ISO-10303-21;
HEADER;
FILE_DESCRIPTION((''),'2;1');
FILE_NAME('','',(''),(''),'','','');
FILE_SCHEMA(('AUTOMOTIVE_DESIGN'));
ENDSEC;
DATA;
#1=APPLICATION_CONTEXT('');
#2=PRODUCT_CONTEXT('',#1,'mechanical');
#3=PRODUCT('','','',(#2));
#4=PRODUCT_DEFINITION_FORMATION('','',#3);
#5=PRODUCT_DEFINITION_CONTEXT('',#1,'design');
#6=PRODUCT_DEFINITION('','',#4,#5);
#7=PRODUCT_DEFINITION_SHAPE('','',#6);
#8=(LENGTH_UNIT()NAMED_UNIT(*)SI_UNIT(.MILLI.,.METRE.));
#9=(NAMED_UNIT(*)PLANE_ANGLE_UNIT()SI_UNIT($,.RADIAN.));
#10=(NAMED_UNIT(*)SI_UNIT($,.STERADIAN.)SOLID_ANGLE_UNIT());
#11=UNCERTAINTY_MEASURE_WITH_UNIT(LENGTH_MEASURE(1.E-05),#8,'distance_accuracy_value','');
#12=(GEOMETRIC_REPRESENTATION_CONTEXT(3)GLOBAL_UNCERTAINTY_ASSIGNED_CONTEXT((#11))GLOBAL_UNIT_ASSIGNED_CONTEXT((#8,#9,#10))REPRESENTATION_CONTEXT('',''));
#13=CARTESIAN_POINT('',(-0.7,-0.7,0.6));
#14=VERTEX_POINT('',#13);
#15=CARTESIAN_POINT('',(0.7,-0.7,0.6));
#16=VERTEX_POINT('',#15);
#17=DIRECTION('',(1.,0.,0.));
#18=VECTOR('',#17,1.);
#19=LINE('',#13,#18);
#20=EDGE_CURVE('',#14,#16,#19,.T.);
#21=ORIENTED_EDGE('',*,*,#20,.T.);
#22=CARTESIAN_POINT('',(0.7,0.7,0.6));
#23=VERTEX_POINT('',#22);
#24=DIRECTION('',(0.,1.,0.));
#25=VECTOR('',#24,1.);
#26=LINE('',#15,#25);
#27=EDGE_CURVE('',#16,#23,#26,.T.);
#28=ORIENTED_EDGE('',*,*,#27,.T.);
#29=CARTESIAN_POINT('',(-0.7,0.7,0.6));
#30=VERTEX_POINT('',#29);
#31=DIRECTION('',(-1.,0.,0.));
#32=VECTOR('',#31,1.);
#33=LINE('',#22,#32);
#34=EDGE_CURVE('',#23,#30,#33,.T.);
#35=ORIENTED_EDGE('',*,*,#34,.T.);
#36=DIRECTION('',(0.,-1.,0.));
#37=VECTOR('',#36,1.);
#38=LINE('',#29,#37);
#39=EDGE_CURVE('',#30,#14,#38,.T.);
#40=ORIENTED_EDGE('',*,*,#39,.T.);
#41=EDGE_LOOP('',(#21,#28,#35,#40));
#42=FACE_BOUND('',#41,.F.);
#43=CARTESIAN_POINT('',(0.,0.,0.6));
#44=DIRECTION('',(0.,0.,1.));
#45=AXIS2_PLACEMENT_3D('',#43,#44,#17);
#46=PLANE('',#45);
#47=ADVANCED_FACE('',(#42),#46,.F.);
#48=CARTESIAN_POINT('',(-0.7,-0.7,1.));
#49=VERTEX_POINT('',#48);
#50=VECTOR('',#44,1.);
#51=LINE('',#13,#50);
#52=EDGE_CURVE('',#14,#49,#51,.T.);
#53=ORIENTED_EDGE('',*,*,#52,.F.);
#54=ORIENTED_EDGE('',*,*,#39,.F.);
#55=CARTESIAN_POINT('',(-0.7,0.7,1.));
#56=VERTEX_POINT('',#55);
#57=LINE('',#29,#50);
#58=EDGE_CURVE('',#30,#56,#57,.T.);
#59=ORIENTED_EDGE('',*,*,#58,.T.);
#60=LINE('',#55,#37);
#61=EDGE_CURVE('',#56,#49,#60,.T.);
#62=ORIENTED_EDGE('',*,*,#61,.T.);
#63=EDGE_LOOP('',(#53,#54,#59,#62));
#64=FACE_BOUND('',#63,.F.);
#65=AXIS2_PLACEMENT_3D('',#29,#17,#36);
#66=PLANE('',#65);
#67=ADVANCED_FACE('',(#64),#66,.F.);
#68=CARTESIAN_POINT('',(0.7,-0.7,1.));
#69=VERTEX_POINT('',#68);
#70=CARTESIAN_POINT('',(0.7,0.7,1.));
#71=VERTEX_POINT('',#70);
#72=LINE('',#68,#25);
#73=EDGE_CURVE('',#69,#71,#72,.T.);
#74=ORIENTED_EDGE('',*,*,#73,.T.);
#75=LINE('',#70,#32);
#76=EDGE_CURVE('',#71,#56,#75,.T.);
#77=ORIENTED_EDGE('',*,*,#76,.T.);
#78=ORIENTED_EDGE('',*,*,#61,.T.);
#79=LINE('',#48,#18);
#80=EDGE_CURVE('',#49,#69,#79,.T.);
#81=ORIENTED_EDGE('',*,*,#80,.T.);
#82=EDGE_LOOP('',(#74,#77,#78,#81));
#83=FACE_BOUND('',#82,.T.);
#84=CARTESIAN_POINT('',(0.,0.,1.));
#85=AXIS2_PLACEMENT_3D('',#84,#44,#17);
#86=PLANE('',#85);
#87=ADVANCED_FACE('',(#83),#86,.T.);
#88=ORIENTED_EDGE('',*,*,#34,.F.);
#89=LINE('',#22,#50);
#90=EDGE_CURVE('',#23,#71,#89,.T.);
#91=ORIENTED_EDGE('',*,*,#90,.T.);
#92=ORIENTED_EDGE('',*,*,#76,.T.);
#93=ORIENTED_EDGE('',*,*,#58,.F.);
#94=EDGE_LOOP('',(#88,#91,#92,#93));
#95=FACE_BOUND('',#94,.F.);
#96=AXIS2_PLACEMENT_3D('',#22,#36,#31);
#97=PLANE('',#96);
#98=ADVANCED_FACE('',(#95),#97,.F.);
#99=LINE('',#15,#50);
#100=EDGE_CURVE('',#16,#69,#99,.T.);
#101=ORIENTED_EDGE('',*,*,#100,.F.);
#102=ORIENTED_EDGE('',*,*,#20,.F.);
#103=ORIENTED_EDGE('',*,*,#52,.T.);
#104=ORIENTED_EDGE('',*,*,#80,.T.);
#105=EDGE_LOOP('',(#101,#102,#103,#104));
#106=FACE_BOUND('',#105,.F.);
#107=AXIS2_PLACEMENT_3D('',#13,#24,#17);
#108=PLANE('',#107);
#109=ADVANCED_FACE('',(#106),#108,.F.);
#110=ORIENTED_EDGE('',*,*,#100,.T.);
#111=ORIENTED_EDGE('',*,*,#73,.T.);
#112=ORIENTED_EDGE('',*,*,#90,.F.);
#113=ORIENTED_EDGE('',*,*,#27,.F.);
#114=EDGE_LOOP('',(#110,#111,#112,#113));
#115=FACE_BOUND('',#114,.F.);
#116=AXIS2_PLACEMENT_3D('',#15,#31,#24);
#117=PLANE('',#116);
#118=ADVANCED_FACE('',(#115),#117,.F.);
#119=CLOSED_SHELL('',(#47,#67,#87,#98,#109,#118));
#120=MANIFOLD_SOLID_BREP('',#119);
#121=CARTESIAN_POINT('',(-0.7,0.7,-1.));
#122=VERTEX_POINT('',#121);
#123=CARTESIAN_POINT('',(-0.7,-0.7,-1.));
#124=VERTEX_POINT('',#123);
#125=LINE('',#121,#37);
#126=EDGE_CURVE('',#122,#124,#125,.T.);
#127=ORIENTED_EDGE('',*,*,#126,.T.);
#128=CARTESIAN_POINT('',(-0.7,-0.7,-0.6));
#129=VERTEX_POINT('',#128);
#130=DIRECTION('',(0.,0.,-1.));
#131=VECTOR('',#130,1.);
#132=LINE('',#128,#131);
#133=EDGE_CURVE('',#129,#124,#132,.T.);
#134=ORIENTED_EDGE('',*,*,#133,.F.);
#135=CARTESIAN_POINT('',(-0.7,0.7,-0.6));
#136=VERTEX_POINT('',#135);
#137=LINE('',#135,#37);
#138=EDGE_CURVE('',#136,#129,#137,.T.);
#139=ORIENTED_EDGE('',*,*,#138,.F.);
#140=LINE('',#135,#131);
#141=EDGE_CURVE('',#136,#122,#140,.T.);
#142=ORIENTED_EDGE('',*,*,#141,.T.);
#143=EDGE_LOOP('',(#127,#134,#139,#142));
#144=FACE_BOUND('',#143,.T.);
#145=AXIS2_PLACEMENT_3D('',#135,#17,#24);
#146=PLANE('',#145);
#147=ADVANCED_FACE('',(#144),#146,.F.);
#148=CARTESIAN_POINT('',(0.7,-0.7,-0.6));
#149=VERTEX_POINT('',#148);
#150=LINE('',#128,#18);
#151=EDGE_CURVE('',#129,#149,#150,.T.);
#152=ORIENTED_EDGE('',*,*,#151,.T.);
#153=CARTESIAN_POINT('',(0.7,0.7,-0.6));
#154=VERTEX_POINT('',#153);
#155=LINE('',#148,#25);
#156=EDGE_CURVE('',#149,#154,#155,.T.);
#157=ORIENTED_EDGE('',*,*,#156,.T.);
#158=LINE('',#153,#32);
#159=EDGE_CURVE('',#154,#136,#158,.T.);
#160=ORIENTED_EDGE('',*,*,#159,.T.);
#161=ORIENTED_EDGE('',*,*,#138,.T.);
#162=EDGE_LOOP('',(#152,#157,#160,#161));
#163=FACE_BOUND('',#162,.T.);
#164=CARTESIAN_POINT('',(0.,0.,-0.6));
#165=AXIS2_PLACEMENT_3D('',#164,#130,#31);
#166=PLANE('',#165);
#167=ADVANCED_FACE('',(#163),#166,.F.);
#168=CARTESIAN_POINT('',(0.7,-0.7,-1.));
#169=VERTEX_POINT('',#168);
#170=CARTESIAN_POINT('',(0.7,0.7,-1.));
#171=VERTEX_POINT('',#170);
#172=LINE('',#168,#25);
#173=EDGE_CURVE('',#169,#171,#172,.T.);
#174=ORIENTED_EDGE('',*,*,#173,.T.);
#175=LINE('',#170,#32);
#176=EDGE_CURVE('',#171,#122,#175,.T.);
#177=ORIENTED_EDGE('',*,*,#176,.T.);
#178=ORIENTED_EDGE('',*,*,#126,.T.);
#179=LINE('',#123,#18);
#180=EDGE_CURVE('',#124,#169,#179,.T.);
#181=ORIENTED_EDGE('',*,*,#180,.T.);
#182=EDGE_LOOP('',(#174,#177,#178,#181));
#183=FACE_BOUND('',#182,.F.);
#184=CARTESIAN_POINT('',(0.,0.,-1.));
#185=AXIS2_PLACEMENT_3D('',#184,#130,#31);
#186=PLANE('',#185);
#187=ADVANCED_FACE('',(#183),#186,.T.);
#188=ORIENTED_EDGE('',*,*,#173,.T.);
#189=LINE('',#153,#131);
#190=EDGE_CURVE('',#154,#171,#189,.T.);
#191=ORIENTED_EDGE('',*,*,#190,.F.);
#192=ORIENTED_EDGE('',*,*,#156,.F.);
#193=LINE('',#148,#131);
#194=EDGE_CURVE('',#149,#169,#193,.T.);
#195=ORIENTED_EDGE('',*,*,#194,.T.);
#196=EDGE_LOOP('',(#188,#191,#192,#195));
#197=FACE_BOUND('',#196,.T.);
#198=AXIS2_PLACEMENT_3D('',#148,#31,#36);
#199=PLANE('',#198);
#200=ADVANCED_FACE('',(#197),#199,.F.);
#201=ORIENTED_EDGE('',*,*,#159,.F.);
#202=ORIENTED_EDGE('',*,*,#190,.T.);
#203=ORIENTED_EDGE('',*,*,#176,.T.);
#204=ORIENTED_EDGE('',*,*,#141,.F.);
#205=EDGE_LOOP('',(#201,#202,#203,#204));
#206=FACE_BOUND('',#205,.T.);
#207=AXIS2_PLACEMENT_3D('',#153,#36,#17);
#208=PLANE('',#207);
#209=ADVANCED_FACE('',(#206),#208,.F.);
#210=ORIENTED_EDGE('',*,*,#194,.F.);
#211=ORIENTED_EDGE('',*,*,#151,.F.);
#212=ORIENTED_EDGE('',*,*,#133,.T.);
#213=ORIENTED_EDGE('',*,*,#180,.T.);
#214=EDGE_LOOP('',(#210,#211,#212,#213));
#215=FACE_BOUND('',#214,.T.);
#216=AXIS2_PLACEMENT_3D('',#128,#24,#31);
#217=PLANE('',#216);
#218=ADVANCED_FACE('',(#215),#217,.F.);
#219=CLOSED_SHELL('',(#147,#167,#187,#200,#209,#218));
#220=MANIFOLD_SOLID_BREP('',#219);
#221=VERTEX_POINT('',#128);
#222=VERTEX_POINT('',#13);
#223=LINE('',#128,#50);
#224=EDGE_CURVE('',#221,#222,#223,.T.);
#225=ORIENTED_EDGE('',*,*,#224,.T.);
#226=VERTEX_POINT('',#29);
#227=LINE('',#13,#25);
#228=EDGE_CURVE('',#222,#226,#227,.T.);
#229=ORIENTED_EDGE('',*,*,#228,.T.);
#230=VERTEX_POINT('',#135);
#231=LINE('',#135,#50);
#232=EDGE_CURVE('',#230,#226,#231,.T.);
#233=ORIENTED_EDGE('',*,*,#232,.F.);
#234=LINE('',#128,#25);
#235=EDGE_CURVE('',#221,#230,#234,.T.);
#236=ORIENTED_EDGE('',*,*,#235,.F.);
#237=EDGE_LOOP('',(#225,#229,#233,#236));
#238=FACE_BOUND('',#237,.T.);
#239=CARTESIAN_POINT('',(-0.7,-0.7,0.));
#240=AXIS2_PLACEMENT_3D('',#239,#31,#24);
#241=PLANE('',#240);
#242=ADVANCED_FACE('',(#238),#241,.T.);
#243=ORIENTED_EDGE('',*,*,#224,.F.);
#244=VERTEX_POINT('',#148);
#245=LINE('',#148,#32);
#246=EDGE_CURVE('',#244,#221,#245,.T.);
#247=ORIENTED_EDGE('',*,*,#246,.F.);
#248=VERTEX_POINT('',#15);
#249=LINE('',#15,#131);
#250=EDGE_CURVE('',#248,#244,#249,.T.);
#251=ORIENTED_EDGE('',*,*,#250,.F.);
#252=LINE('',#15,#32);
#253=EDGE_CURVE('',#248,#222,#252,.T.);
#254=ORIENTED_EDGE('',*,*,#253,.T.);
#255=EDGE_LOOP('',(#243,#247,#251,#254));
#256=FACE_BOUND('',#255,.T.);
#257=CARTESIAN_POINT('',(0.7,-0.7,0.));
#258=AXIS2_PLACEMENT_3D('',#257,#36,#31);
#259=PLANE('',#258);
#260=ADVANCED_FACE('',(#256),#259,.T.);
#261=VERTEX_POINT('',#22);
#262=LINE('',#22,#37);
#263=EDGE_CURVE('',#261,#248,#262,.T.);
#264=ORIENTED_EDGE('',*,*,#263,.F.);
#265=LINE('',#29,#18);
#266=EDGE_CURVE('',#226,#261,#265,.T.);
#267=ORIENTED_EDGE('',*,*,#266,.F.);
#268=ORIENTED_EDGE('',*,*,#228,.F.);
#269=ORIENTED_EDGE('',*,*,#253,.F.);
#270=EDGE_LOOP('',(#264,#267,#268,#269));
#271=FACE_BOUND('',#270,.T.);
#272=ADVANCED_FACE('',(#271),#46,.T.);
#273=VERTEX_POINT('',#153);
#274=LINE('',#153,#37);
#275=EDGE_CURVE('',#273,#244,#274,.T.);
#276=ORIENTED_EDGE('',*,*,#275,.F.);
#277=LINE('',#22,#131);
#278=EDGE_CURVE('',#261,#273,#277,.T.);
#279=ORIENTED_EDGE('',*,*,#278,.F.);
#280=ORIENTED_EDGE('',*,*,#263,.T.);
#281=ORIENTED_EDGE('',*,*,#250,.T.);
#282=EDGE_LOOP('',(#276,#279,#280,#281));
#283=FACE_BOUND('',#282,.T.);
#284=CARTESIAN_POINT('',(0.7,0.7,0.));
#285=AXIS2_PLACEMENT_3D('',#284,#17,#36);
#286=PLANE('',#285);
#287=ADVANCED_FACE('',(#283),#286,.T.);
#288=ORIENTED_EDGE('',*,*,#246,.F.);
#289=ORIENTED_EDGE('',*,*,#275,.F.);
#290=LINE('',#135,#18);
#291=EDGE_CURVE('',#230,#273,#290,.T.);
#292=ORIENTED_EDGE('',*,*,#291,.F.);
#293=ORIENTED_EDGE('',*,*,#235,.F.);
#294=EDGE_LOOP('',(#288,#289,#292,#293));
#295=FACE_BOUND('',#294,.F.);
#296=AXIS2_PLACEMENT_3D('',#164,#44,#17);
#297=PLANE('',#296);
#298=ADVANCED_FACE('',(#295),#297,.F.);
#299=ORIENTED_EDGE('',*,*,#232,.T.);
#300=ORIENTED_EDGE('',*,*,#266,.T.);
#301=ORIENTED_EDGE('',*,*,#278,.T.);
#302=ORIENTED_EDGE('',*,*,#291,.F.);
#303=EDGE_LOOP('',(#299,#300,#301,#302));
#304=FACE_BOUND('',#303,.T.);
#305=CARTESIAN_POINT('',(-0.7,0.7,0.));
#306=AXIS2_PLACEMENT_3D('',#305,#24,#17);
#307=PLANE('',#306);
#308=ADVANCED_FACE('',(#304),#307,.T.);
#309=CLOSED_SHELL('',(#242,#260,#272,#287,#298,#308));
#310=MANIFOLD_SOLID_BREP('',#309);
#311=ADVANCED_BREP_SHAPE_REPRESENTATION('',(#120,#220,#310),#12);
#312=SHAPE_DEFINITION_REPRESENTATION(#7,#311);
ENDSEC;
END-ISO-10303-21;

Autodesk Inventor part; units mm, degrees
ref_plane "YZ Plane" through (0, 0, 0) normal (1, 0, 0) x (0, 1, 0)
ref_plane "XZ Plane" through (0, 0, 0) normal (0, 1, 0) x (-1, 0, 0)
ref_plane "XY Plane" through (0, 0, 0) normal (0, 0, 1) x (1, 0, 0)
sketch "Sketch1" plane through (0, 0, 0) normal (0, 0, 1) x (1, 0, 0)
  line L0 (-0.7, 0.7) -> (0.7, 0.7)
  line L1 (0.7, 0.7) -> (0.7, -0.7)
  line L2 (0.7, -0.7) -> (-0.7, -0.7)
  line L3 (-0.7, -0.7) -> (-0.7, 0.7)
  line L4 (-0.7, 0.7) -> (0.7, -0.7) construction
  line L5 (0.7, 0.7) -> (-0.7, -0.7) construction
  point P0 (0, 0)
  dimension "d0" = 1.4
  dimension "d1" = 1.4
extrude "Extrusion1" add sketch "Sketch1" along normal mid plane 1.2
sketch "Sketch2" plane through (0, 0, 0.6) normal (0, 0, 1) x (1, 0, 0)
  line L0 (-0.7, -0.7) -> (0.7, -0.7) projected
  line L1 (0.7, -0.7) -> (0.7, 0.7) projected
  line L2 (0.7, 0.7) -> (-0.7, 0.7) projected
  line L3 (-0.7, 0.7) -> (-0.7, -0.7) projected
  point P0 (0, 0)
extrude "Extrusion2" add sketch "Sketch2" along normal blind 0.4 separate body
mirror "Mirror1" about plane through (0, 0, 0) normal (0, 0, 1) of "Extrusion2" bodies 2
